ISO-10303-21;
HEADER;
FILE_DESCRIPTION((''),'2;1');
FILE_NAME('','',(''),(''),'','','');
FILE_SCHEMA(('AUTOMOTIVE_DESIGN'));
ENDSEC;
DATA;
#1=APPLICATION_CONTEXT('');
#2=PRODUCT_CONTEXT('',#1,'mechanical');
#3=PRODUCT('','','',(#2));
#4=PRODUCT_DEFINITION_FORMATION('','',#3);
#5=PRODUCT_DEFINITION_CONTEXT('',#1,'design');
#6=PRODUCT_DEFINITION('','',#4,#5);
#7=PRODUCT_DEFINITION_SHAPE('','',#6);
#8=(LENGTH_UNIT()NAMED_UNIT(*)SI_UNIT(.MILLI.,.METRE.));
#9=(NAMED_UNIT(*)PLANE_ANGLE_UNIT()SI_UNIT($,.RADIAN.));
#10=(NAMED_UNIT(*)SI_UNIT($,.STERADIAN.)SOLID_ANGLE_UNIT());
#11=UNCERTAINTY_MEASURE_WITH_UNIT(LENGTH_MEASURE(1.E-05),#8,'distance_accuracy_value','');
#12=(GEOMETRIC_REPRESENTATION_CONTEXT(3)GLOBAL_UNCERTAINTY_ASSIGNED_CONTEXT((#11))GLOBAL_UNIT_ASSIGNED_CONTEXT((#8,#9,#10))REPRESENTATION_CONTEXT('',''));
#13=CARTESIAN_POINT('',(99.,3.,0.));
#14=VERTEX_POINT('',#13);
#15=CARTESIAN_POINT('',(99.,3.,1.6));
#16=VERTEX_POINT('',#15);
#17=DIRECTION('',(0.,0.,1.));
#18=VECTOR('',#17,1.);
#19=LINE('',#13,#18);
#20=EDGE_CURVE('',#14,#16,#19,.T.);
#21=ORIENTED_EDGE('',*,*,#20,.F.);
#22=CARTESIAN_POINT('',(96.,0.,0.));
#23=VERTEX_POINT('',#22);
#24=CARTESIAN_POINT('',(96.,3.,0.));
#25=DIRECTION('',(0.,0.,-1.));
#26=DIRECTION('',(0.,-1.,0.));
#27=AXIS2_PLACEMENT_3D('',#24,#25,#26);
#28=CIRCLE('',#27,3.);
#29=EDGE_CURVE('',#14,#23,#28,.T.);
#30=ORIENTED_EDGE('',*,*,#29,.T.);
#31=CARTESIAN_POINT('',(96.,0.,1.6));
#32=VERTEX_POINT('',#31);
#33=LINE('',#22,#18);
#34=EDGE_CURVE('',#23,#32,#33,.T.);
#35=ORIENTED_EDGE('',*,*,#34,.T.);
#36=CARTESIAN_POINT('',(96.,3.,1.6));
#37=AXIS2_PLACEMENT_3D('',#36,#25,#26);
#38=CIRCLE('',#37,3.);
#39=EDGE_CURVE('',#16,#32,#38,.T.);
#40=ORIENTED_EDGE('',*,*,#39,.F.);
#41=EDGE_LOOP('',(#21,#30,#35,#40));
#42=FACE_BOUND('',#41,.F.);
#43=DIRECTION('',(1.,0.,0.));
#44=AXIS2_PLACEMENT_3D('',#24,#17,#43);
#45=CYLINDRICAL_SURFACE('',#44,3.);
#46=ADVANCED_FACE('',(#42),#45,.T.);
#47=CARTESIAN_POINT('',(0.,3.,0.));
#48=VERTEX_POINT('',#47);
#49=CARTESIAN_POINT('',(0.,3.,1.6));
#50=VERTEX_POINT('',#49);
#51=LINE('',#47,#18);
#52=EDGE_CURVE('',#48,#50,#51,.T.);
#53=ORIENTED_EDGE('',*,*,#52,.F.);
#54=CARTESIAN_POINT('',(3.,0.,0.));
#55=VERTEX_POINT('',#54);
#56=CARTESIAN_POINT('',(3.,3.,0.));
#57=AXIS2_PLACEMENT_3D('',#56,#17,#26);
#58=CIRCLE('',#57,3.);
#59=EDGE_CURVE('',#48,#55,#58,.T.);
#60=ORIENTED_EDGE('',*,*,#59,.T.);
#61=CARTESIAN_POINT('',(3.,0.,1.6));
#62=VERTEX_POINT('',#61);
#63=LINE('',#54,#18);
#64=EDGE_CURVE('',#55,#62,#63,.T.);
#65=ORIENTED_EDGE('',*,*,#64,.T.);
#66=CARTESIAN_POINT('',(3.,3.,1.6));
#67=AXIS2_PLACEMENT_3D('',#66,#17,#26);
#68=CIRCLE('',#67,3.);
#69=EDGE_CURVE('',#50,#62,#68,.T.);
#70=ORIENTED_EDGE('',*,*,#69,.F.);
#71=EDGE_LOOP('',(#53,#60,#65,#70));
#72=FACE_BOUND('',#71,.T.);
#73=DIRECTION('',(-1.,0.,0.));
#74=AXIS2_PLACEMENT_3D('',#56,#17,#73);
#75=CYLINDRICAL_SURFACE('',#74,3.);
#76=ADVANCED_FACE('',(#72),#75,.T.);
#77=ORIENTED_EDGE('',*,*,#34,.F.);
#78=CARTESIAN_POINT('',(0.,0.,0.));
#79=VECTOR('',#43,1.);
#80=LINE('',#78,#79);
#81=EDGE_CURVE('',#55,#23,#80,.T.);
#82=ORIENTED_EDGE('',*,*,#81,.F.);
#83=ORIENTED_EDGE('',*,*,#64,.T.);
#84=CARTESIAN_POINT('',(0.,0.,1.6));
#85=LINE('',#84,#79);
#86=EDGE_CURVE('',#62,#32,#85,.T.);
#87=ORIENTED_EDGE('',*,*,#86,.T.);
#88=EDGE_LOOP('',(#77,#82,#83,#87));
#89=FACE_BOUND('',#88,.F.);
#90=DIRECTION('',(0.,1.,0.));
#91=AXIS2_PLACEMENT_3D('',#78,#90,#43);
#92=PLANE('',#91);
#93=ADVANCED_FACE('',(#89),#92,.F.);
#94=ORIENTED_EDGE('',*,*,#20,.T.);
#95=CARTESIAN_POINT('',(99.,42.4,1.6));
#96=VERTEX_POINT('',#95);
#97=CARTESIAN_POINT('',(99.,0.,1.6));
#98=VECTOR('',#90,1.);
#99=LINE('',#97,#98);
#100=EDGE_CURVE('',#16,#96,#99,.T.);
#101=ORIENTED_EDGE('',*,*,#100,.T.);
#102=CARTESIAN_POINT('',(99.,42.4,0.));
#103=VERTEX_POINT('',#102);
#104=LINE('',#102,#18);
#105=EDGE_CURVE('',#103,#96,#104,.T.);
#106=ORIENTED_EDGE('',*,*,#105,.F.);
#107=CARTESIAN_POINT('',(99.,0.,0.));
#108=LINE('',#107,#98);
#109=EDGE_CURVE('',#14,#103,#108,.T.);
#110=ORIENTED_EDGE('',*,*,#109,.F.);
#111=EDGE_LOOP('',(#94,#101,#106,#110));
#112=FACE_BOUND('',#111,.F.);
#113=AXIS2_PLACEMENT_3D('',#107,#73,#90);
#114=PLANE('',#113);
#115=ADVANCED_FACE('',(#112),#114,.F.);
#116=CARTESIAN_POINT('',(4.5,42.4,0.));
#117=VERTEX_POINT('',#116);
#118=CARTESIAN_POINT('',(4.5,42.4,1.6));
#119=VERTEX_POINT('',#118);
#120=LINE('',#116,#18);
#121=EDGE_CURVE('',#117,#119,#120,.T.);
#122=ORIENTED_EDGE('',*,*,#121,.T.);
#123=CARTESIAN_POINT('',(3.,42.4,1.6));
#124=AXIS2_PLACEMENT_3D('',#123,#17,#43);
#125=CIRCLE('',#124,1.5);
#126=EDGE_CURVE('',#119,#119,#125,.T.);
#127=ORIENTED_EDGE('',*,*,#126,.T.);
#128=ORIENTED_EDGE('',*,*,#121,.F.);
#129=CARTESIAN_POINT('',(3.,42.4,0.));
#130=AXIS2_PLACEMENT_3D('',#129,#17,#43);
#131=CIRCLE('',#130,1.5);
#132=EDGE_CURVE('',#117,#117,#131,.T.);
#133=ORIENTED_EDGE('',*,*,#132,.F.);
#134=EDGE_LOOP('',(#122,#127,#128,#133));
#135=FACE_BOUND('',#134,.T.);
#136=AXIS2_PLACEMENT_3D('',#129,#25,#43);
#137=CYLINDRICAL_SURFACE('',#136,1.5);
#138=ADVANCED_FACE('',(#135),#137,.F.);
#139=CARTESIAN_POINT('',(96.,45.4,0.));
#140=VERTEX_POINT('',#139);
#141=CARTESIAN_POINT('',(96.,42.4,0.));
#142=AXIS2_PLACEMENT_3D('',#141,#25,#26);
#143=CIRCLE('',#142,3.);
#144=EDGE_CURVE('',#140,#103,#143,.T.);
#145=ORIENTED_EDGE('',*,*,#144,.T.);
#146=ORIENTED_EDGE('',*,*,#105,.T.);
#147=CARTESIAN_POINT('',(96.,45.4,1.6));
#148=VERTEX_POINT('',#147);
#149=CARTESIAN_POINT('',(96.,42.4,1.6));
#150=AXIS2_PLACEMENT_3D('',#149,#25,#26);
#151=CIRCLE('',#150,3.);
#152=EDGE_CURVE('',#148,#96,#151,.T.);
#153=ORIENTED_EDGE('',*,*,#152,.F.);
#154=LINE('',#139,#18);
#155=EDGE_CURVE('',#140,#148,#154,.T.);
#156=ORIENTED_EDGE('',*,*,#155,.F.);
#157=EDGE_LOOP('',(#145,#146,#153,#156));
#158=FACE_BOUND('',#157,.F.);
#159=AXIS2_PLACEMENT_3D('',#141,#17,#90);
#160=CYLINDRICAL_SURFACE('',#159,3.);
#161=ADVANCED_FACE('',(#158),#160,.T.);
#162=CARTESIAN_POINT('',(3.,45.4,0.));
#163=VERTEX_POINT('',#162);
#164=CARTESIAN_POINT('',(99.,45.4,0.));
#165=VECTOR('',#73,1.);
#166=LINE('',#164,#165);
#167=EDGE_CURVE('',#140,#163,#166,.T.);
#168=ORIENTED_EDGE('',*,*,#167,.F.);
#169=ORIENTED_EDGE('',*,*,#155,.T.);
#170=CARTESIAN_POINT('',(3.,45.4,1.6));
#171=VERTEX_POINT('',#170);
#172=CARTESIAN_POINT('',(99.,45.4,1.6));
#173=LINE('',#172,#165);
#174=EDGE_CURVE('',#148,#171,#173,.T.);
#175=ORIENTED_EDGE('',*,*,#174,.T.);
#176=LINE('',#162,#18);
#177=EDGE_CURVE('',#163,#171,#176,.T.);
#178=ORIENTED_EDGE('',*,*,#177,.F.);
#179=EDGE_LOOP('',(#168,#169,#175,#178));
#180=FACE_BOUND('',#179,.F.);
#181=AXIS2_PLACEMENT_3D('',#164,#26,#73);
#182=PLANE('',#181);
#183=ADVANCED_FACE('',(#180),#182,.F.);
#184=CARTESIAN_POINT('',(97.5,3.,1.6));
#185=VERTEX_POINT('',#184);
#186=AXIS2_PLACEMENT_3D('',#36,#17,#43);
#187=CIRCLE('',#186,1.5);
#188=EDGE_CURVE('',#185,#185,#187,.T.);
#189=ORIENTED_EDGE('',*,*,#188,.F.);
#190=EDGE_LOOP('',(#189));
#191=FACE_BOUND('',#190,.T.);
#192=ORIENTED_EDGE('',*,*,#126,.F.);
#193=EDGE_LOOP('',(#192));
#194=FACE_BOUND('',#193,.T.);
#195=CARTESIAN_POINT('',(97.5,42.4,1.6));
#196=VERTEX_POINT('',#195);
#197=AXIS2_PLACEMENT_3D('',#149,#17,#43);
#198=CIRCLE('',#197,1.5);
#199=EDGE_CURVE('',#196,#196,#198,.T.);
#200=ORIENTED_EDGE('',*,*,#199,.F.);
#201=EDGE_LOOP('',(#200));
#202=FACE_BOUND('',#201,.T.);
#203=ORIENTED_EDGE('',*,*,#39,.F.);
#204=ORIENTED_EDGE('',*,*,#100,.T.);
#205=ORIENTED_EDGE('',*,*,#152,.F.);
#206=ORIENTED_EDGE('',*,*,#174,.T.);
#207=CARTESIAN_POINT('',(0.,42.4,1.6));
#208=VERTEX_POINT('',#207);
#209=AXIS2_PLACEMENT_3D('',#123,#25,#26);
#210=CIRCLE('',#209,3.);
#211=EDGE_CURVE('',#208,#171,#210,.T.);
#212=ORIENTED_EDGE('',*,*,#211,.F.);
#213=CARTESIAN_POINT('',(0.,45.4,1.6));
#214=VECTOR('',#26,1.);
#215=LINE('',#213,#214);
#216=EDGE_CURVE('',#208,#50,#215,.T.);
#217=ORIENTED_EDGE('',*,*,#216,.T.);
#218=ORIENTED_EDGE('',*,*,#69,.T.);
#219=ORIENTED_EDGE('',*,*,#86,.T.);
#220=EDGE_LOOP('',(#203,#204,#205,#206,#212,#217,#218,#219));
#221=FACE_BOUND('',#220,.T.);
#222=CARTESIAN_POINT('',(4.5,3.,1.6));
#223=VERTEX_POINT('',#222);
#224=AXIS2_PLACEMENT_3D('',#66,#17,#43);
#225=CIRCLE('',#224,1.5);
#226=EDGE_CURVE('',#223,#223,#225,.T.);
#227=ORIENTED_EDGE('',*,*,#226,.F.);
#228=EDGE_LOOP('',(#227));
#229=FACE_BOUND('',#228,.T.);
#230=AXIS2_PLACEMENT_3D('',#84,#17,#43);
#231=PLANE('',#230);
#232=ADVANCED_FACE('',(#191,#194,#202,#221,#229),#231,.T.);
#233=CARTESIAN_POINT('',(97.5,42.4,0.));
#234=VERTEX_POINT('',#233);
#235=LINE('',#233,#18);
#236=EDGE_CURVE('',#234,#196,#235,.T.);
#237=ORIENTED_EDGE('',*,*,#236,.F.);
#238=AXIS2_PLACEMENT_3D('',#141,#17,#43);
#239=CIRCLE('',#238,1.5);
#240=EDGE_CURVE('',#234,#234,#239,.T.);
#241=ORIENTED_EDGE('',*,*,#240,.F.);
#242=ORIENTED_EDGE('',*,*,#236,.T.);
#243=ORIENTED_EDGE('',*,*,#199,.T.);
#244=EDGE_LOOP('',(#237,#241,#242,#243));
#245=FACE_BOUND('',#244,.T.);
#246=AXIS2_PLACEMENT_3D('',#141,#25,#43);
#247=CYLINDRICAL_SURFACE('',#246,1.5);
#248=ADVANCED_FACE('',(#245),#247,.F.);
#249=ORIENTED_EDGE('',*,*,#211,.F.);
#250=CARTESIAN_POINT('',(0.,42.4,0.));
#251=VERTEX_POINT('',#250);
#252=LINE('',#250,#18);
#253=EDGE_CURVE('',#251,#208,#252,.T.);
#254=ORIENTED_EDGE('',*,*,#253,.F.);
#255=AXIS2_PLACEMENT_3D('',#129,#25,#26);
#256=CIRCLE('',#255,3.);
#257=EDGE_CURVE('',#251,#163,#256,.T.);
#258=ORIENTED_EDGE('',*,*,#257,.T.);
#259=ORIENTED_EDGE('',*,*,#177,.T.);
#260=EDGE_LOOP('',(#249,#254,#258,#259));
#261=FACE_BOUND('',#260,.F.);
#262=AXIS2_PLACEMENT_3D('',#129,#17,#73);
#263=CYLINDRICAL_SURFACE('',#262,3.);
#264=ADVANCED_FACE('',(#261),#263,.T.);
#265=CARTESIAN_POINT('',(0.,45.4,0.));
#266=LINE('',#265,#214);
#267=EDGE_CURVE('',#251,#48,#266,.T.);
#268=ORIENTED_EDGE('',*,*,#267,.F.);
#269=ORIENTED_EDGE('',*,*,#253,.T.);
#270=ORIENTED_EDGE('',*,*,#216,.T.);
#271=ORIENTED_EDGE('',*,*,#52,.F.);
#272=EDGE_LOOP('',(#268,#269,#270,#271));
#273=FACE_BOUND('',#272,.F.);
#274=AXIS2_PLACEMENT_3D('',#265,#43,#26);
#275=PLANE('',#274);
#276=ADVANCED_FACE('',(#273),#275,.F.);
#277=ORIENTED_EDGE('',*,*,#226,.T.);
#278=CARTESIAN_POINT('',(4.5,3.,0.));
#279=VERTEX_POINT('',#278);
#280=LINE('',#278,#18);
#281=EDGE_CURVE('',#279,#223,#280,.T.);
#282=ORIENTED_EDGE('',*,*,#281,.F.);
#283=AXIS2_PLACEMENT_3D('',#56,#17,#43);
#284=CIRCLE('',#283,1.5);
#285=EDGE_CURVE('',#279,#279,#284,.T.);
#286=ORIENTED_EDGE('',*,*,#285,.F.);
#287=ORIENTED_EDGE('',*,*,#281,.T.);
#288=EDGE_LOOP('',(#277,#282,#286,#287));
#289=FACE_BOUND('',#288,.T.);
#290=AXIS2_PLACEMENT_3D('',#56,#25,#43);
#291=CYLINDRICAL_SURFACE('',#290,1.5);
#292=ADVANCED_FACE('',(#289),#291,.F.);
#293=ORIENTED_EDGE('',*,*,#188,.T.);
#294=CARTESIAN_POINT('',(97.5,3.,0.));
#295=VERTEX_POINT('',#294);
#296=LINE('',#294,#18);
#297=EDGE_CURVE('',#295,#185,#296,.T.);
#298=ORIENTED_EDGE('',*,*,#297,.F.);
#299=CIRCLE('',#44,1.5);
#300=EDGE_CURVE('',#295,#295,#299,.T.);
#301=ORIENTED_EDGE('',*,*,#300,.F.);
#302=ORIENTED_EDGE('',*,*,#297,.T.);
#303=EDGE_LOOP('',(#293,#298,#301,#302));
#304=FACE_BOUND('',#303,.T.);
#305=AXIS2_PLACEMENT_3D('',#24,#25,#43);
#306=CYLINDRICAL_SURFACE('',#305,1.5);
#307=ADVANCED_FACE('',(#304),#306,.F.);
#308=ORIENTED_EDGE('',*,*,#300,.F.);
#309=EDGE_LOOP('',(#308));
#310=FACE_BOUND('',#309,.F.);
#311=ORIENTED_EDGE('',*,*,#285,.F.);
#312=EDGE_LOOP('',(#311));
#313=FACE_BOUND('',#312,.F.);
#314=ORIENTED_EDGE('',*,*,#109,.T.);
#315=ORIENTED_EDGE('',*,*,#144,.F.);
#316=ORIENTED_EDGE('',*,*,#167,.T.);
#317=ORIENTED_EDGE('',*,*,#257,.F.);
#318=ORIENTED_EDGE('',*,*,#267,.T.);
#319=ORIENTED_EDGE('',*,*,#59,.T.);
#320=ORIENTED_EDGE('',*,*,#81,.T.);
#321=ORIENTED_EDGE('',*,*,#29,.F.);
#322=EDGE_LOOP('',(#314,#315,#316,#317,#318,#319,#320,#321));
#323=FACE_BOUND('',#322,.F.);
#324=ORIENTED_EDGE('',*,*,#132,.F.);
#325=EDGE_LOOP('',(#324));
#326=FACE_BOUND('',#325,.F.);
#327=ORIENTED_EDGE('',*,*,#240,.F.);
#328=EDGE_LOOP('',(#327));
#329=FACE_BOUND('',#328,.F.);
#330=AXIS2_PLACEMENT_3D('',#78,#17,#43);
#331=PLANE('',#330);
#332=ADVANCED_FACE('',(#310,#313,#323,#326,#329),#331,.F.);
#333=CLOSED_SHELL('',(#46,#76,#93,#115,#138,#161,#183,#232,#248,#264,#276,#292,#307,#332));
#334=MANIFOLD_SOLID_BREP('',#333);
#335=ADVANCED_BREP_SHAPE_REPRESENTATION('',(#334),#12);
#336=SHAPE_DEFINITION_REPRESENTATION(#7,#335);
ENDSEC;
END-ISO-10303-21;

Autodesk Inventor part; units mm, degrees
ref_plane "YZ Plane" through (0, 0, 0) normal (1, 0, 0) x (0, 1, 0)
ref_plane "XZ Plane" through (0, 0, 0) normal (0, 1, 0) x (-1, 0, 0)
ref_plane "XY Plane" through (0, 0, 0) normal (0, 0, 1) x (1, 0, 0)
sketch "Sketch1" plane through (0, 0, 0) normal (0, 0, 1) x (1, 0, 0)
  line L0 (0, 0) -> (99, 0)
  line L1 (99, 0) -> (99, 45.4)
  line L2 (99, 45.4) -> (0, 45.4)
  line L3 (0, 45.4) -> (0, 0)
  circle A0 centre (3, 42.4) radius 1.5
  circle A1 centre (3, 3) radius 1.5
  circle A2 centre (96, 3) radius 1.5
  circle A3 centre (96, 42.4) radius 1.5
  dimension "d0" = 45.4
  dimension "d1" = 99
  dimension "d2" = 3
  dimension "d3" = 3
  dimension "d4" = 3
  dimension "d5" = 3
  dimension "d6" = 3
  dimension "d7" = 3
  dimension "d8" = 3
  dimension "d9" = 3
  dimension "d10" = 3
  dimension "d11" = 3
  dimension "d12" = 3
  dimension "d13" = 3
extrude "Extrusion1" add sketch "Sketch1" along normal blind 1.6
fillet "Fillet1" radius 3 4 edges at (0, 0, 0.8) (99, 0, 0.8) (99, 45.4, 0.8) (0, 45.4, 0.8)
equation "\"d7\" = d6"
equation "\"d8\" = d9"
equation "\"d9\" = d7"
equation "\"d10\" = d11"
equation "\"d11\" = d8"
equation "\"d12\" = d10"
equation "\"d13\" = d12"
properties part number "PCB2"
